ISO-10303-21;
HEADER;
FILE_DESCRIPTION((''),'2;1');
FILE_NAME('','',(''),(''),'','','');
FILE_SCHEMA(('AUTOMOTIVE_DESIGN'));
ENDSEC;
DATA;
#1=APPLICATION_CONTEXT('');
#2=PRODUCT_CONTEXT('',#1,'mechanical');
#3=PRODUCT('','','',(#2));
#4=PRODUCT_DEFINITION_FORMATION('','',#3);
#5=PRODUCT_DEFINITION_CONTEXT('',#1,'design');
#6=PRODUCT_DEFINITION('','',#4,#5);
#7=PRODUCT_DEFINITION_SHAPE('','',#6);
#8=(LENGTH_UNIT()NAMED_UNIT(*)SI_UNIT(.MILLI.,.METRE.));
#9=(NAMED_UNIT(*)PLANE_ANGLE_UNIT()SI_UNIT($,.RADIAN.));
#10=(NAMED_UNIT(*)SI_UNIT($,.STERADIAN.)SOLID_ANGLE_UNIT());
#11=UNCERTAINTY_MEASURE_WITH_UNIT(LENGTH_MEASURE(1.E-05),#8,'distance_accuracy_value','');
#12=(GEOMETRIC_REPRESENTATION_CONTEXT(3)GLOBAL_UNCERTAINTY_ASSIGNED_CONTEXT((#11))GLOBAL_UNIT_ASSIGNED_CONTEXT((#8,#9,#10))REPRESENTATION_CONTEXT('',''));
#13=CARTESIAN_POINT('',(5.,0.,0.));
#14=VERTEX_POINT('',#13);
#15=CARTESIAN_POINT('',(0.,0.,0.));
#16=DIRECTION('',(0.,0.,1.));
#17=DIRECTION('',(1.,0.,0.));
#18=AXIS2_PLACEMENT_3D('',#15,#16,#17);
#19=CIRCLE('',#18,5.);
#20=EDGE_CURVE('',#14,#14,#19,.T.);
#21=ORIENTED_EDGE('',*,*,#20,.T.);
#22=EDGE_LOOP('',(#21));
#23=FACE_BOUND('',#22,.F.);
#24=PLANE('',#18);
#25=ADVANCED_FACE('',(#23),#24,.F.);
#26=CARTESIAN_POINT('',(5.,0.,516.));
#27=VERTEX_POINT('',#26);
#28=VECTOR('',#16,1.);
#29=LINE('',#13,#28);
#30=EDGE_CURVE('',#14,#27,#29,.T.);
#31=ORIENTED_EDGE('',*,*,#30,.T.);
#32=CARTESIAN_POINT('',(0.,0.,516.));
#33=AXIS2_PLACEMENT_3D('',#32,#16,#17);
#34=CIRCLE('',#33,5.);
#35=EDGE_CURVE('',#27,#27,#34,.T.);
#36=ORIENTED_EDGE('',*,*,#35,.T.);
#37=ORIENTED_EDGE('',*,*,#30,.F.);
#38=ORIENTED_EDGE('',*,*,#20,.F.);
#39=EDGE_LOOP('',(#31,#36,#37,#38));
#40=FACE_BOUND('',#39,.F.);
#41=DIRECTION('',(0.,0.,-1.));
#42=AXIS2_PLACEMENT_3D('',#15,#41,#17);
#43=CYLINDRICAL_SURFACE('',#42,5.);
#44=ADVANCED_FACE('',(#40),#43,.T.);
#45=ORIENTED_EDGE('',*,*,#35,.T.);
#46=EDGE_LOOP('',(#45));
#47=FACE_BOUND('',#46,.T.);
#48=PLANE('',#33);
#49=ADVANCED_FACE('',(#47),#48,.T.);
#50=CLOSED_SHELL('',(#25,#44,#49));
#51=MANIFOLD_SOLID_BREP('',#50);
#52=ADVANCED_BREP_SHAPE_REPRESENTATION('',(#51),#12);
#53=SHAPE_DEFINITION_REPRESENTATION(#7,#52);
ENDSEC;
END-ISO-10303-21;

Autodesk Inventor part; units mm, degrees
ref_plane "YZ Plane" through (0, 0, 0) normal (1, 0, 0) x (0, 1, 0)
ref_plane "XZ Plane" through (0, 0, 0) normal (0, 1, 0) x (-1, 0, 0)
ref_plane "XY Plane" through (0, 0, 0) normal (0, 0, 1) x (1, 0, 0)
sketch "Szkic1" plane through (0, 0, 0) normal (0, 0, 1) x (1, 0, 0)
  circle A0 centre (0, 0) radius 5
  dimension "d0" = 10
extrude "Wyciągnięcie proste1" add sketch "Szkic1" along normal blind 516
properties part number "CUT_STEEL_10mmx516mm_Linear_Shaft"
